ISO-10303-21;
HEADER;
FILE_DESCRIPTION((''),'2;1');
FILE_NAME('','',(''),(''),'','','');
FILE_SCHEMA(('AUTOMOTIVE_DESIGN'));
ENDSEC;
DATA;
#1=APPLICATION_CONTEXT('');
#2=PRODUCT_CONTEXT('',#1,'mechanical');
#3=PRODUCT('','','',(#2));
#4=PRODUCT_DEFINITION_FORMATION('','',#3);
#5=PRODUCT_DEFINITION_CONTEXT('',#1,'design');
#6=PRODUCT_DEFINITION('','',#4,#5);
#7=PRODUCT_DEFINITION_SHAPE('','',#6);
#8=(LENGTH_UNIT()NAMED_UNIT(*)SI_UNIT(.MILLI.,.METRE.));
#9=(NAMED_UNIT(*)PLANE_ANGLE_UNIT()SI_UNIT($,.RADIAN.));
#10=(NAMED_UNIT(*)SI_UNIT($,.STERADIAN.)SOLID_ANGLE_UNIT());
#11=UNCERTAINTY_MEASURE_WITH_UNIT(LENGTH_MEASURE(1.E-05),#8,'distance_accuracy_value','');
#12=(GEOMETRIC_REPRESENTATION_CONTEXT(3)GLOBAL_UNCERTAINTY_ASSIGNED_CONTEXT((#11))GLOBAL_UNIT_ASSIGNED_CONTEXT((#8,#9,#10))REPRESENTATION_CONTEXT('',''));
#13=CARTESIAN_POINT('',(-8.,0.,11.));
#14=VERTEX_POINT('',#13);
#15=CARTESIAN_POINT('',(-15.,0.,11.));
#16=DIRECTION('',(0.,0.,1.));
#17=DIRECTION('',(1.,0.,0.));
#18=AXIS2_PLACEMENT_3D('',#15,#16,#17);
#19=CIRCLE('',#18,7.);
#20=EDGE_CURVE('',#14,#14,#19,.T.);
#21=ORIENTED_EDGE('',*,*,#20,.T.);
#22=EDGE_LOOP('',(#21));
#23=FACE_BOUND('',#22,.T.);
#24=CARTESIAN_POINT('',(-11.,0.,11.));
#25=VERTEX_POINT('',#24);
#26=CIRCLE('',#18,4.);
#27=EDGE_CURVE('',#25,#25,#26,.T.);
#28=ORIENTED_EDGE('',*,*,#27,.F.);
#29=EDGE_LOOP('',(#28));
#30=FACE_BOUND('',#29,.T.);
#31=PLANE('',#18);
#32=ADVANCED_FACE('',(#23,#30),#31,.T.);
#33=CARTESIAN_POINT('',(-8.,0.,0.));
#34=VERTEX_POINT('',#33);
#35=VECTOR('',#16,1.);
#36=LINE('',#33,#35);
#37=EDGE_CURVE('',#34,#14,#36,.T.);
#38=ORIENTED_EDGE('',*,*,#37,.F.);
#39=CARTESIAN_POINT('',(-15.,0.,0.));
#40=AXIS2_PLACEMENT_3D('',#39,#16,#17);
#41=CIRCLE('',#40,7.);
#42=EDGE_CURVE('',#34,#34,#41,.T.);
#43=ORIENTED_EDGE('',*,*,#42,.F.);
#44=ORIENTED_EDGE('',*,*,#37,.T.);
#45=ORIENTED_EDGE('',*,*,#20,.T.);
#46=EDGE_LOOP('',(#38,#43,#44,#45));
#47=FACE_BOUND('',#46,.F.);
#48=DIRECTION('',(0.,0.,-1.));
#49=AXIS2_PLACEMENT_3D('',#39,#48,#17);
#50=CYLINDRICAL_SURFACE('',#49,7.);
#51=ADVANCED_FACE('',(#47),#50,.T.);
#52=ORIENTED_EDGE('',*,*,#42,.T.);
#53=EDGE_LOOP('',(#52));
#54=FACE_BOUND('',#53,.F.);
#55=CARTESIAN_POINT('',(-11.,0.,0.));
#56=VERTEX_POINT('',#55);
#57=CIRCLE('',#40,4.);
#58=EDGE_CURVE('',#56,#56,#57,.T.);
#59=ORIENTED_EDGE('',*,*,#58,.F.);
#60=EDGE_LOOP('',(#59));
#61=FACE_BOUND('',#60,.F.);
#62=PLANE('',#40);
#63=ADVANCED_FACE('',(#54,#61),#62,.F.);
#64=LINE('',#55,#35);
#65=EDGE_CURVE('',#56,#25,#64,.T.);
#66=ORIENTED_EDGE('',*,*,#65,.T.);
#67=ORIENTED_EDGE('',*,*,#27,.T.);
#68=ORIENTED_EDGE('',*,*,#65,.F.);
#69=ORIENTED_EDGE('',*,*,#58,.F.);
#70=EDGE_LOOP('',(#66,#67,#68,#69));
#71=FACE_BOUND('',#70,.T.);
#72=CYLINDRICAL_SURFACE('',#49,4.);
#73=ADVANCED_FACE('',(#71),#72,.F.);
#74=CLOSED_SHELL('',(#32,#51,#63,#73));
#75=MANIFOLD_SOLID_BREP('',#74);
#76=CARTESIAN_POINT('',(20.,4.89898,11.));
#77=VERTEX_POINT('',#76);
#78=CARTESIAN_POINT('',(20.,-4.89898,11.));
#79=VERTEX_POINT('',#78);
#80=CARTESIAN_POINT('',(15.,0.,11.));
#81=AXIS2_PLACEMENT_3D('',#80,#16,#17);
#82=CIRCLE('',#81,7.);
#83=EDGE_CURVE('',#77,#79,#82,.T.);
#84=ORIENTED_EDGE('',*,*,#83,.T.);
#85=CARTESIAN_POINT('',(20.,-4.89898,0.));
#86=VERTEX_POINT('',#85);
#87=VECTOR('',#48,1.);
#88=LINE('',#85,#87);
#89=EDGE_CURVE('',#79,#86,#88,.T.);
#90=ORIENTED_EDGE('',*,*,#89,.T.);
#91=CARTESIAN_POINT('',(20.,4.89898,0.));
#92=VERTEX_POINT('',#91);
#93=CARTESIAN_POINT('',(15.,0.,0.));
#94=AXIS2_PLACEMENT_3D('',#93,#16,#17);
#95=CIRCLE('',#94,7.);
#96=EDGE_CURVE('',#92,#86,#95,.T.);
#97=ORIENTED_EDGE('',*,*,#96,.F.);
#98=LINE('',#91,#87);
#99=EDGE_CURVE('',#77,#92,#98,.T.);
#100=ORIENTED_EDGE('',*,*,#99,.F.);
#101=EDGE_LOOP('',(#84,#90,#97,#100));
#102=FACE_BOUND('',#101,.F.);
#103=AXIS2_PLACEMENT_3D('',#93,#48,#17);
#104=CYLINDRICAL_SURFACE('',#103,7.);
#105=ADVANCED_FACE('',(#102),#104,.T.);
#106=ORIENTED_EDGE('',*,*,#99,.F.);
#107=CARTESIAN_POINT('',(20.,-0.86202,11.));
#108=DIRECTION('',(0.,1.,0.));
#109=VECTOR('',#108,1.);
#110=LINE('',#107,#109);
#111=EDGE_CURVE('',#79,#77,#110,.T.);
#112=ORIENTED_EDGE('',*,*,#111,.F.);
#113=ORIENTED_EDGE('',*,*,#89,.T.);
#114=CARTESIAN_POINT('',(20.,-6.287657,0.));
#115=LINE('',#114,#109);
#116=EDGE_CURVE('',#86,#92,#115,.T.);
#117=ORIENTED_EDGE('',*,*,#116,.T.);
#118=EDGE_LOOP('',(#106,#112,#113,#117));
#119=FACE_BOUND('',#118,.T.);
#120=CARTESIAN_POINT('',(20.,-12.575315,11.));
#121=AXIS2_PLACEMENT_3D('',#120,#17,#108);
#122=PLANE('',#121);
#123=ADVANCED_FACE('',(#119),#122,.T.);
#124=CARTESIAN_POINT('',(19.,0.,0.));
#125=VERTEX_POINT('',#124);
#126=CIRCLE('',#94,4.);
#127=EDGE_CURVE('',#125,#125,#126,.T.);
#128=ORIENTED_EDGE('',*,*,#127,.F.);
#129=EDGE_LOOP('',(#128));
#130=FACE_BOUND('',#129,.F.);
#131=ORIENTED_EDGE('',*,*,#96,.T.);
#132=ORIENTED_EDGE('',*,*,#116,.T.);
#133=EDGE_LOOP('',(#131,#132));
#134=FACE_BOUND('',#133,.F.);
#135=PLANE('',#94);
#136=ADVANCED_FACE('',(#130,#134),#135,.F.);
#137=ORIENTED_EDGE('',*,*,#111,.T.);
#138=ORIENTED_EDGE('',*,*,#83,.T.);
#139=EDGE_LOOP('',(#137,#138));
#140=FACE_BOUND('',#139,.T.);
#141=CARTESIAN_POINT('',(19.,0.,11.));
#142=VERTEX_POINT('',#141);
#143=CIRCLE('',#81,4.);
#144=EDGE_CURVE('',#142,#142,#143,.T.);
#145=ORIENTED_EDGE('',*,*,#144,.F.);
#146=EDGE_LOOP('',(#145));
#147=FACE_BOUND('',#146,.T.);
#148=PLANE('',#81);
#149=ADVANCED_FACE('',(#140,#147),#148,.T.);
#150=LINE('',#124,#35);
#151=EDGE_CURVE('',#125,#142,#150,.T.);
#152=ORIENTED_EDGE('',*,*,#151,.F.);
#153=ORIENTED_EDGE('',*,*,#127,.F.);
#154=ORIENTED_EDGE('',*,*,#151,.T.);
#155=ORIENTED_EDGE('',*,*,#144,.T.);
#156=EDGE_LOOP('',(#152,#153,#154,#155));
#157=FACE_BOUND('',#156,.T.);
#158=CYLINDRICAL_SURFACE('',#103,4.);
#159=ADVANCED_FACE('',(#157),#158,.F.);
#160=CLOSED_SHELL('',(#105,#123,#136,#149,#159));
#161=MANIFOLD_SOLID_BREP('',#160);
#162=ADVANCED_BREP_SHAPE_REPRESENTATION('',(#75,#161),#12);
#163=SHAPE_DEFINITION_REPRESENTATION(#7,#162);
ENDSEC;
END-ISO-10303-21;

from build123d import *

# Parameters (mm, degrees)
F0_R     = 7
F0_R_2   = 4
F1_DEPTH = 11
F2_W     = 5.949609
F2_H     = 23.42659
F3_DEPTH = 11.001


with BuildPart() as f1:
    # F0 (on Top) → F1 (new body)
    with BuildSketch(Plane.XY):
        with Locations((-15, 0)):
            Circle(F0_R)
        with Locations((-15, 0)):
            Circle(F0_R_2, mode=Mode.SUBTRACT)
        with Locations((15, 0)):
            Circle(F0_R)
        with Locations((15, 0)):
            Circle(F0_R_2, mode=Mode.SUBTRACT)
    extrude(amount=F1_DEPTH)

    # F2 (on face) → F3 (cut, through all)
    with BuildSketch(Plane.XY.offset(11)):
        with Locations((22.974804, -0.86202)):
            Rectangle(F2_W, F2_H)
    extrude(amount=-F3_DEPTH, mode=Mode.SUBTRACT)


solid = f1.part
